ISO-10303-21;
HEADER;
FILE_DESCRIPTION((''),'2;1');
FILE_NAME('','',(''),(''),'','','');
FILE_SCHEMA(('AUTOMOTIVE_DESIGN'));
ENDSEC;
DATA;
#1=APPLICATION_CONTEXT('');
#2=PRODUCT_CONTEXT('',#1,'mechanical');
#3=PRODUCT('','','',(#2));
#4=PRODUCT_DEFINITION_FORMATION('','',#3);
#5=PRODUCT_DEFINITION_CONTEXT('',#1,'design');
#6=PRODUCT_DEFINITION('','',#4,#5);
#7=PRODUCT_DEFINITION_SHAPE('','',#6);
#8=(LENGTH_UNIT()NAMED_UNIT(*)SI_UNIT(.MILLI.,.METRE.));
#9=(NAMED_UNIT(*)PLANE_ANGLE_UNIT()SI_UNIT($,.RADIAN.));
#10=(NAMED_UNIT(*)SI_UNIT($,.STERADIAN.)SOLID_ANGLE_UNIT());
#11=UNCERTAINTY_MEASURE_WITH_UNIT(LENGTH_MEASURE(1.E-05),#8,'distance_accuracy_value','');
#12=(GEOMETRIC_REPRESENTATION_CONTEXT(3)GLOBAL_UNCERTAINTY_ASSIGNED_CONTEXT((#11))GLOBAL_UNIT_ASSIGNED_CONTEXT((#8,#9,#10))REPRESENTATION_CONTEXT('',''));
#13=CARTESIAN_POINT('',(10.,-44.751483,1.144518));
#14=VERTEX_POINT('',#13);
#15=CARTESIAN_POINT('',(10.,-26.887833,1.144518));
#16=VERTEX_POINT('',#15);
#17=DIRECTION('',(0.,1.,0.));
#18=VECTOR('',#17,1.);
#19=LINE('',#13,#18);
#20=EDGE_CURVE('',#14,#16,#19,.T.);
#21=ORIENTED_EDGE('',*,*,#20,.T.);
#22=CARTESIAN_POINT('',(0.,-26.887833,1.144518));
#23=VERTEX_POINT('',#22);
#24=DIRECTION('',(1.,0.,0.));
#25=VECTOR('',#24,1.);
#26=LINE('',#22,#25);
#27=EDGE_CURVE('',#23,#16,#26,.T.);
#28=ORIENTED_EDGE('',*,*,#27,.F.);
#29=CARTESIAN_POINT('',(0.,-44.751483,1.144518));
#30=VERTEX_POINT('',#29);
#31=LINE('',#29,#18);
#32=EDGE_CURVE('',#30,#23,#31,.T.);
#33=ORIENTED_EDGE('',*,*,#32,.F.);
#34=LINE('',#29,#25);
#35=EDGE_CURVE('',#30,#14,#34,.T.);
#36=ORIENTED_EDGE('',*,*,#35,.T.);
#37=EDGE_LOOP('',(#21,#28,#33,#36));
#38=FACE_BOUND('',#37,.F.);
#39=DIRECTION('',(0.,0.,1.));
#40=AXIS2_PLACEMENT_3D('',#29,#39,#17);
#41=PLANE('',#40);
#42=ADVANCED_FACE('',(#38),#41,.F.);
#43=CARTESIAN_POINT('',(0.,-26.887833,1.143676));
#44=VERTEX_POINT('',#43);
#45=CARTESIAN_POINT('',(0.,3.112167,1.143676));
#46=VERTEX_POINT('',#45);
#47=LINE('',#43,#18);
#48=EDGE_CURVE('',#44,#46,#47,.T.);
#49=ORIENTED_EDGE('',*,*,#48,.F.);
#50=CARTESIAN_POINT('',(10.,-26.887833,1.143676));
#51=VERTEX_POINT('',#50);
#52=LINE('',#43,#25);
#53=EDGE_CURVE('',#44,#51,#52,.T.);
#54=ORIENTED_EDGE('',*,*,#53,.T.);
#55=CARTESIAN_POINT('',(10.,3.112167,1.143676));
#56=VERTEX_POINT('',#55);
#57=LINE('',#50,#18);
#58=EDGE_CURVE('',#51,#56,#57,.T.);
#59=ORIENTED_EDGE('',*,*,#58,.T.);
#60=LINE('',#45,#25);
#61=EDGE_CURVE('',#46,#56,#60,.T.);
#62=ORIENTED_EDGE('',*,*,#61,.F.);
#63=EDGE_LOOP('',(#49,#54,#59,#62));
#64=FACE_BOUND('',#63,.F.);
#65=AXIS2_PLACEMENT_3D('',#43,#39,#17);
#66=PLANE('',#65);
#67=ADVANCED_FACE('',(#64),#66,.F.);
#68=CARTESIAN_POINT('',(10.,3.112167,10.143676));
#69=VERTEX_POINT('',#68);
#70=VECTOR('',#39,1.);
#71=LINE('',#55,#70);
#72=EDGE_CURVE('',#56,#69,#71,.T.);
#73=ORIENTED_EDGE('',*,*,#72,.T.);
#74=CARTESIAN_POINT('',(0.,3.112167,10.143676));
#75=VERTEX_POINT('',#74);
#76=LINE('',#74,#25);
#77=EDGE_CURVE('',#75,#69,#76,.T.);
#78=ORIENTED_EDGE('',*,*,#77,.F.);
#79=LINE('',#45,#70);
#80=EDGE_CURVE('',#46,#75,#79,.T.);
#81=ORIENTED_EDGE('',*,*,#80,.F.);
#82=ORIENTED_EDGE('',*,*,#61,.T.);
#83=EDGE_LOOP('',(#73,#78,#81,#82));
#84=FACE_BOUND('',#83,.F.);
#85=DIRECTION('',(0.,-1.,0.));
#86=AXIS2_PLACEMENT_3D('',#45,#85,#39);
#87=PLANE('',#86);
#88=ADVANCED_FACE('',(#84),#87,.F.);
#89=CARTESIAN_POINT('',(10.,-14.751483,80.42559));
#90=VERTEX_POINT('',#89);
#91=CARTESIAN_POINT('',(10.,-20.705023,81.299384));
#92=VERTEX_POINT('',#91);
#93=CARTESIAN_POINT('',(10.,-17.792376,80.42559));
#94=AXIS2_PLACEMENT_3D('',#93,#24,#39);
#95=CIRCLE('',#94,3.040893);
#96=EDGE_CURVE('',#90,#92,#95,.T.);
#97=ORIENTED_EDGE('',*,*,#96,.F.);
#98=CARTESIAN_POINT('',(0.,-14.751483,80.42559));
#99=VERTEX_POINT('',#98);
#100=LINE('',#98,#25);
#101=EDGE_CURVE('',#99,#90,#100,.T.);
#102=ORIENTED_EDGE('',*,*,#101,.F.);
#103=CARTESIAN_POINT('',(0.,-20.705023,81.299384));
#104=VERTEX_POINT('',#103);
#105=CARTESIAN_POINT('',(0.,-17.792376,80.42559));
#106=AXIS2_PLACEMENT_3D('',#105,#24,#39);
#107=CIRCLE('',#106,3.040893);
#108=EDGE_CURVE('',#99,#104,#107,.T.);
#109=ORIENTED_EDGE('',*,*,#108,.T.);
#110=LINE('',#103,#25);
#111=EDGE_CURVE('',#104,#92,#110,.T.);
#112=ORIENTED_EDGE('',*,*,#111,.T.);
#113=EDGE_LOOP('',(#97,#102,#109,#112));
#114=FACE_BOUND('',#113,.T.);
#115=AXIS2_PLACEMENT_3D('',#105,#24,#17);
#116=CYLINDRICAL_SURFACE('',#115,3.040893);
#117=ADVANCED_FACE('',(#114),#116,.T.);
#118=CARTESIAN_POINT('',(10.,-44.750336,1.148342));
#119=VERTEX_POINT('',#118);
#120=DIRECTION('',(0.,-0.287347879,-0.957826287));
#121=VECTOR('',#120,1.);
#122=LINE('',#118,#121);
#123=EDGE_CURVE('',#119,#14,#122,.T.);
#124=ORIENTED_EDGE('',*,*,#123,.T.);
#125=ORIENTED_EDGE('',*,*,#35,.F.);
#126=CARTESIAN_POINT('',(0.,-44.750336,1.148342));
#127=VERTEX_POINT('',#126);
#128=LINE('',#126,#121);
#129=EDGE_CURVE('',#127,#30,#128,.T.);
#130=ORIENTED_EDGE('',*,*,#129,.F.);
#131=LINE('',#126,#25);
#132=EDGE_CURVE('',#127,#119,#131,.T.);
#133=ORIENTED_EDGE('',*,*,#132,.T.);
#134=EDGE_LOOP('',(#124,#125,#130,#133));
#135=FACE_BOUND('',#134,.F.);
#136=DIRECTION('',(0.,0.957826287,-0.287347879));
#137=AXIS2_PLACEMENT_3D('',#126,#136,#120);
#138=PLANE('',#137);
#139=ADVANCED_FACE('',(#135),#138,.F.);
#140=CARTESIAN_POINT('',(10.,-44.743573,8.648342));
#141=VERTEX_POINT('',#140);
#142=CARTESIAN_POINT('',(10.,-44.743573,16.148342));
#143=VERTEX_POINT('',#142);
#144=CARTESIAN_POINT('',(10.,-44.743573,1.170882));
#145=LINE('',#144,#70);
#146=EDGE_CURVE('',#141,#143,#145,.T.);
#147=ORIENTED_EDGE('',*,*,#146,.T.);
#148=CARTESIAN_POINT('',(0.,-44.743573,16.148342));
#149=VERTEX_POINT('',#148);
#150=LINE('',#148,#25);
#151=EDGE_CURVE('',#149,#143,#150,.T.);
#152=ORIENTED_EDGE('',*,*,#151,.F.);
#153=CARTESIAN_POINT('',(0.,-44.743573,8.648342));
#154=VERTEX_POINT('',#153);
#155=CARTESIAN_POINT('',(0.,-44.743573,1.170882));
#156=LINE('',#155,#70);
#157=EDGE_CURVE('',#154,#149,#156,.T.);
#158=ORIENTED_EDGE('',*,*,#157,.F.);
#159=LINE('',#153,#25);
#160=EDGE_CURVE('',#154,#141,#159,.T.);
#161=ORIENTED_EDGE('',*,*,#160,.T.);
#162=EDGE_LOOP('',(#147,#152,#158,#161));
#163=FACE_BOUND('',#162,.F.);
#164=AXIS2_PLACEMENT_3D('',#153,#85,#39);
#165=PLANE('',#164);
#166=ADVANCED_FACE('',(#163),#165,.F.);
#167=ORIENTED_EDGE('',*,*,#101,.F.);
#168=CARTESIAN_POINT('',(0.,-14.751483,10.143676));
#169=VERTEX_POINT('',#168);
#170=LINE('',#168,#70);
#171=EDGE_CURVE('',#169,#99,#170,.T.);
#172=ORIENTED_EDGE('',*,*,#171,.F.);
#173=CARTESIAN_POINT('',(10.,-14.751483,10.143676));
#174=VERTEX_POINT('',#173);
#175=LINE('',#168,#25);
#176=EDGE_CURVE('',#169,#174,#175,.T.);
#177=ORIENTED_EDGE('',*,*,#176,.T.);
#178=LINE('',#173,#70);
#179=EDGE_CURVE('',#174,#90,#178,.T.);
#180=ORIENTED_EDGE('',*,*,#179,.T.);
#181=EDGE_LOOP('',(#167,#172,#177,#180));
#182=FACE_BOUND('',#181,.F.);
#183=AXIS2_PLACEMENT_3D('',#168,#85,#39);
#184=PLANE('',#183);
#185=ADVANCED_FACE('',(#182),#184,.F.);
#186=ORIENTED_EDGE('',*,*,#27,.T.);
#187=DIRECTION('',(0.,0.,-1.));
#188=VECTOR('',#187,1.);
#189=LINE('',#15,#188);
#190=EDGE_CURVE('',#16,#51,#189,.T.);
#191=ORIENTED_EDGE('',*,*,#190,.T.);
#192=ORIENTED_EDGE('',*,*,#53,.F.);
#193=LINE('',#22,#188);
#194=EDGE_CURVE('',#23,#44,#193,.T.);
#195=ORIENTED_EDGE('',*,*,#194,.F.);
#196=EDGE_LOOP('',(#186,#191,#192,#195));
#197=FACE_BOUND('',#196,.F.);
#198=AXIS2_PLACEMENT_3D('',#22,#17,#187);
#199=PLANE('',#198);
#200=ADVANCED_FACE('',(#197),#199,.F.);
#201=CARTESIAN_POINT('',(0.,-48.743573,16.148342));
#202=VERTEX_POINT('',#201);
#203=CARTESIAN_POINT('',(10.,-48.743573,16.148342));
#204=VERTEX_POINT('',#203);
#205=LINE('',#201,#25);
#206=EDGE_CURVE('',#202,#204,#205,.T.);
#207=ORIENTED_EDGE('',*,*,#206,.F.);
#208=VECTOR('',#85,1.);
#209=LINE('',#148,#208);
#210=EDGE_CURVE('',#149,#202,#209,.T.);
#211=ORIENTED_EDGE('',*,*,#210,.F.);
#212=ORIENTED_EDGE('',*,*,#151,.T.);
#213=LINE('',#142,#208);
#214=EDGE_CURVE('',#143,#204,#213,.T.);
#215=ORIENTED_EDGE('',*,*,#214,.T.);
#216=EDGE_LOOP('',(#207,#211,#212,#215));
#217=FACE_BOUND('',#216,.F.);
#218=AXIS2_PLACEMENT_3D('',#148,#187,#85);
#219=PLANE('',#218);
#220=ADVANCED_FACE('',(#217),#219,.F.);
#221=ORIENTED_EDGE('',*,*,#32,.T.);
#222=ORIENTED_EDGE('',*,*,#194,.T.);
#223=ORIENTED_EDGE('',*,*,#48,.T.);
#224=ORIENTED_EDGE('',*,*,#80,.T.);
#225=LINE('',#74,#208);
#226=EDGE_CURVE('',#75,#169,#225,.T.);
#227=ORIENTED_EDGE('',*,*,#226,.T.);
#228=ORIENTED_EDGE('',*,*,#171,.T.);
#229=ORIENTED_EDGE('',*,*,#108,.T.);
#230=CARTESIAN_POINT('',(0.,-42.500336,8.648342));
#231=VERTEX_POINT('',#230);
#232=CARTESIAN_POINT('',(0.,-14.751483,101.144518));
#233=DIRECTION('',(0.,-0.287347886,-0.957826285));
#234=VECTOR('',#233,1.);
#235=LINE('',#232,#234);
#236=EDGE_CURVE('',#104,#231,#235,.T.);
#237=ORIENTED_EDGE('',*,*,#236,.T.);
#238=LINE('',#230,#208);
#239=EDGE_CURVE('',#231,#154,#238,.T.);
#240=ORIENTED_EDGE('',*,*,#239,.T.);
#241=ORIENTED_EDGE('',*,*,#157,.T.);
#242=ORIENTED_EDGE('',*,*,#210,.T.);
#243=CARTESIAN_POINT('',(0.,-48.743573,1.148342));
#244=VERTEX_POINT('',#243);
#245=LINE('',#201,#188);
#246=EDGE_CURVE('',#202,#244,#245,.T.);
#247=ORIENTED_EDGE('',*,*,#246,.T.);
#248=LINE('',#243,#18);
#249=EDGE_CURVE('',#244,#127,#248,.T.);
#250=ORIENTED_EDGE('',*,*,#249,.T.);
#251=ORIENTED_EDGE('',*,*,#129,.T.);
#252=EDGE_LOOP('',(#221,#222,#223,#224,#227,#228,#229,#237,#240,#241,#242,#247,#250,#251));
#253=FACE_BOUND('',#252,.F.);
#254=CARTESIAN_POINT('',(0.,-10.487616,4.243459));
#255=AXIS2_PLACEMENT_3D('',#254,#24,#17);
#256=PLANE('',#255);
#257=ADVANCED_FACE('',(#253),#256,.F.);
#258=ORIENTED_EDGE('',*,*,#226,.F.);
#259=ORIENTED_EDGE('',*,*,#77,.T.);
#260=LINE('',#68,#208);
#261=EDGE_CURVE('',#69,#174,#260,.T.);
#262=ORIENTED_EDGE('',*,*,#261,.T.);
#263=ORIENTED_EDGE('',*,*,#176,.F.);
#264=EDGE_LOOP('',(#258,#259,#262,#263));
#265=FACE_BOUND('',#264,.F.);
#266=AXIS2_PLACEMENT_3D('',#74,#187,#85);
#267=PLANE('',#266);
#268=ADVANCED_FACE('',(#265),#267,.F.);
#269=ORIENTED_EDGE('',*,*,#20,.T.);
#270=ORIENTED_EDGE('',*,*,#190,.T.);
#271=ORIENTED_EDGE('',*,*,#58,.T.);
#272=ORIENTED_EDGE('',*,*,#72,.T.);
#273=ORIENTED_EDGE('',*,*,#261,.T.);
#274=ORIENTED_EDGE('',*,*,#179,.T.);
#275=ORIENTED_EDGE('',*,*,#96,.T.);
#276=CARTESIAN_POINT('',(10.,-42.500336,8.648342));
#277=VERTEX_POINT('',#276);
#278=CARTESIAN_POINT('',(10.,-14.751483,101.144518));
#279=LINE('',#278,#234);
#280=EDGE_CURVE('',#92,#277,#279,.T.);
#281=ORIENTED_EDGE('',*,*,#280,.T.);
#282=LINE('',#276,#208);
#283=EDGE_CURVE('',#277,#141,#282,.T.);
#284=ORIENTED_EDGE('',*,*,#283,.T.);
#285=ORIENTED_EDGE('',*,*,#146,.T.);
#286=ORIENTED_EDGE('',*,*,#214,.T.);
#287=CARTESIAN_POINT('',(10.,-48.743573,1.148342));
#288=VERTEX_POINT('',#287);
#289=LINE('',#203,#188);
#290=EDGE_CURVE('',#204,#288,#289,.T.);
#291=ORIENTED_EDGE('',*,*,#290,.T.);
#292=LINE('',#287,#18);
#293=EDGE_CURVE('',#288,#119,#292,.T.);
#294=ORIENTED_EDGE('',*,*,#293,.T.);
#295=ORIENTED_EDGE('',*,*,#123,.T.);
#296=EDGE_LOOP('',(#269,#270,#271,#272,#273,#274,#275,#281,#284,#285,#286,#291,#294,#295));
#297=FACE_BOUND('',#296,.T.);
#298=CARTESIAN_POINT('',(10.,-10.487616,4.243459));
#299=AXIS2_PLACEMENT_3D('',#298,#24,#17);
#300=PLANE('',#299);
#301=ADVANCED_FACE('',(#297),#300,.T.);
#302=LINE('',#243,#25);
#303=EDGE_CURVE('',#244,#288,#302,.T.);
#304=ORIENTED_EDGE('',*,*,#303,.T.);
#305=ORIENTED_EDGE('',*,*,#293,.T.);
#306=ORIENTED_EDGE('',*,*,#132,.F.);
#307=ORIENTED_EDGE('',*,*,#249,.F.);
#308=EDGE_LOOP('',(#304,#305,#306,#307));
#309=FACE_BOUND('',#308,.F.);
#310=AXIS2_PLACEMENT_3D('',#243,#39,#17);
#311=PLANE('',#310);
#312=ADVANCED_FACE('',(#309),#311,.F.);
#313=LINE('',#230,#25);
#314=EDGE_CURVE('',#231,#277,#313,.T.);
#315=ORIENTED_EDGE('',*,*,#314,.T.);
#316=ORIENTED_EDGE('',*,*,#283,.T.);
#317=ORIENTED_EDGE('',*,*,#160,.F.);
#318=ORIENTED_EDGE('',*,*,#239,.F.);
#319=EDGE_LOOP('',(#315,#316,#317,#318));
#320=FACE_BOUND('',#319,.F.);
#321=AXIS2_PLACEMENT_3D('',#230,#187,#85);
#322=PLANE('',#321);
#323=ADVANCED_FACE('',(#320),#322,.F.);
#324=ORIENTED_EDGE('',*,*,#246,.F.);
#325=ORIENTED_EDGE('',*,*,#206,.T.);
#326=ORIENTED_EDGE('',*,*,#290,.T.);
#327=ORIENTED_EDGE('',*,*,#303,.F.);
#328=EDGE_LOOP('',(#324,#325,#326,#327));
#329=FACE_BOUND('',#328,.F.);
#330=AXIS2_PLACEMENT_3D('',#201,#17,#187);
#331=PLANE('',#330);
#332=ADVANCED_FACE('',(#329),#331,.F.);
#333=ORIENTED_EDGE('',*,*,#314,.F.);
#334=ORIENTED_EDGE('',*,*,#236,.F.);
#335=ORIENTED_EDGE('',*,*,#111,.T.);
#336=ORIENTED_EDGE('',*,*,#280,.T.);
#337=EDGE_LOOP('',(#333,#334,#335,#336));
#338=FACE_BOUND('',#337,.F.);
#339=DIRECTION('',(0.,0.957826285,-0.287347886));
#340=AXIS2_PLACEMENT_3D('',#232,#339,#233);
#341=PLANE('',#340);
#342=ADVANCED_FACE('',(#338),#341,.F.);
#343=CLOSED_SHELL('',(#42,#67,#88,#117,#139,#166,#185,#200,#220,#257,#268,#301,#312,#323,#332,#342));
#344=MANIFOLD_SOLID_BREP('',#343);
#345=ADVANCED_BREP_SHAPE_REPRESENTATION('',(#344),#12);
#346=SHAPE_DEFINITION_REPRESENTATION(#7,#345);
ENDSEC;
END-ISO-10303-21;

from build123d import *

# Parameters (mm, degrees)
F0_W     = 12.1363507145
F0_H     = 8.9991581862
F1_DEPTH = 10
F2_R     = 3.0408929123


with BuildPart() as f1:
    # F0 (on Right) → F1 (new body)
    with BuildSketch(Plane.YZ):
        Polygon((-14.7514826591, 1.1445179262), (-26.8878333736, 1.1445179262), (-26.8878333736, 1.1436761124), (3.1121666264, 1.1436761124), (3.1121666264, 10.1436761124), (-14.7514826591, 10.1436761124), align=None)
        with Locations((-20.8196580164, 5.6440970193)):
            Rectangle(F0_W, F0_H)
        Polygon((-44.7503355374, 1.1483416653), (-44.7514826591, 1.1445179262), (-26.8878333736, 1.1445179262), (-26.8878333736, 10.1436761124), (-14.7514826591, 10.1436761124), (-14.7514826591, 101.1445179262), (-42.5003355374, 8.6483416653), (-40.2435733936, 8.6483416653), (-40.2435733936, 1.1483416653), (-44.7435733936, 1.1483416653), align=None)
        Polygon((-48.7435733936, 1.1483416653), (-44.7503355374, 1.1483416653), (-44.7435733936, 1.1708821449), (-44.7435733936, 8.6483416653), (-44.7435733936, 16.1483416653), (-48.7435733936, 16.1483416653), align=None)
        Polygon((-44.7435733936, 8.6483416653), (-44.7435733936, 1.1708821449), (-42.5003355374, 8.6483416653), align=None)
        Polygon((-42.5003355374, 8.6483416653), (-44.7435733936, 1.1708821449), (-44.7435733936, 1.1483416653), (-40.2435733936, 1.1483416653), (-40.2435733936, 8.6483416653), align=None)
        Polygon((-44.7435733936, 1.1708821449), (-44.7503355374, 1.1483416653), (-44.7435733936, 1.1483416653), align=None)
    extrude(amount=F1_DEPTH)

    # F2
    f2_edges = [f1.edges().sort_by_distance(p)[0] for p in [
        (5, -14.751483, 101.144518),
    ]]
    fillet(f2_edges, radius=F2_R)


solid = f1.part
